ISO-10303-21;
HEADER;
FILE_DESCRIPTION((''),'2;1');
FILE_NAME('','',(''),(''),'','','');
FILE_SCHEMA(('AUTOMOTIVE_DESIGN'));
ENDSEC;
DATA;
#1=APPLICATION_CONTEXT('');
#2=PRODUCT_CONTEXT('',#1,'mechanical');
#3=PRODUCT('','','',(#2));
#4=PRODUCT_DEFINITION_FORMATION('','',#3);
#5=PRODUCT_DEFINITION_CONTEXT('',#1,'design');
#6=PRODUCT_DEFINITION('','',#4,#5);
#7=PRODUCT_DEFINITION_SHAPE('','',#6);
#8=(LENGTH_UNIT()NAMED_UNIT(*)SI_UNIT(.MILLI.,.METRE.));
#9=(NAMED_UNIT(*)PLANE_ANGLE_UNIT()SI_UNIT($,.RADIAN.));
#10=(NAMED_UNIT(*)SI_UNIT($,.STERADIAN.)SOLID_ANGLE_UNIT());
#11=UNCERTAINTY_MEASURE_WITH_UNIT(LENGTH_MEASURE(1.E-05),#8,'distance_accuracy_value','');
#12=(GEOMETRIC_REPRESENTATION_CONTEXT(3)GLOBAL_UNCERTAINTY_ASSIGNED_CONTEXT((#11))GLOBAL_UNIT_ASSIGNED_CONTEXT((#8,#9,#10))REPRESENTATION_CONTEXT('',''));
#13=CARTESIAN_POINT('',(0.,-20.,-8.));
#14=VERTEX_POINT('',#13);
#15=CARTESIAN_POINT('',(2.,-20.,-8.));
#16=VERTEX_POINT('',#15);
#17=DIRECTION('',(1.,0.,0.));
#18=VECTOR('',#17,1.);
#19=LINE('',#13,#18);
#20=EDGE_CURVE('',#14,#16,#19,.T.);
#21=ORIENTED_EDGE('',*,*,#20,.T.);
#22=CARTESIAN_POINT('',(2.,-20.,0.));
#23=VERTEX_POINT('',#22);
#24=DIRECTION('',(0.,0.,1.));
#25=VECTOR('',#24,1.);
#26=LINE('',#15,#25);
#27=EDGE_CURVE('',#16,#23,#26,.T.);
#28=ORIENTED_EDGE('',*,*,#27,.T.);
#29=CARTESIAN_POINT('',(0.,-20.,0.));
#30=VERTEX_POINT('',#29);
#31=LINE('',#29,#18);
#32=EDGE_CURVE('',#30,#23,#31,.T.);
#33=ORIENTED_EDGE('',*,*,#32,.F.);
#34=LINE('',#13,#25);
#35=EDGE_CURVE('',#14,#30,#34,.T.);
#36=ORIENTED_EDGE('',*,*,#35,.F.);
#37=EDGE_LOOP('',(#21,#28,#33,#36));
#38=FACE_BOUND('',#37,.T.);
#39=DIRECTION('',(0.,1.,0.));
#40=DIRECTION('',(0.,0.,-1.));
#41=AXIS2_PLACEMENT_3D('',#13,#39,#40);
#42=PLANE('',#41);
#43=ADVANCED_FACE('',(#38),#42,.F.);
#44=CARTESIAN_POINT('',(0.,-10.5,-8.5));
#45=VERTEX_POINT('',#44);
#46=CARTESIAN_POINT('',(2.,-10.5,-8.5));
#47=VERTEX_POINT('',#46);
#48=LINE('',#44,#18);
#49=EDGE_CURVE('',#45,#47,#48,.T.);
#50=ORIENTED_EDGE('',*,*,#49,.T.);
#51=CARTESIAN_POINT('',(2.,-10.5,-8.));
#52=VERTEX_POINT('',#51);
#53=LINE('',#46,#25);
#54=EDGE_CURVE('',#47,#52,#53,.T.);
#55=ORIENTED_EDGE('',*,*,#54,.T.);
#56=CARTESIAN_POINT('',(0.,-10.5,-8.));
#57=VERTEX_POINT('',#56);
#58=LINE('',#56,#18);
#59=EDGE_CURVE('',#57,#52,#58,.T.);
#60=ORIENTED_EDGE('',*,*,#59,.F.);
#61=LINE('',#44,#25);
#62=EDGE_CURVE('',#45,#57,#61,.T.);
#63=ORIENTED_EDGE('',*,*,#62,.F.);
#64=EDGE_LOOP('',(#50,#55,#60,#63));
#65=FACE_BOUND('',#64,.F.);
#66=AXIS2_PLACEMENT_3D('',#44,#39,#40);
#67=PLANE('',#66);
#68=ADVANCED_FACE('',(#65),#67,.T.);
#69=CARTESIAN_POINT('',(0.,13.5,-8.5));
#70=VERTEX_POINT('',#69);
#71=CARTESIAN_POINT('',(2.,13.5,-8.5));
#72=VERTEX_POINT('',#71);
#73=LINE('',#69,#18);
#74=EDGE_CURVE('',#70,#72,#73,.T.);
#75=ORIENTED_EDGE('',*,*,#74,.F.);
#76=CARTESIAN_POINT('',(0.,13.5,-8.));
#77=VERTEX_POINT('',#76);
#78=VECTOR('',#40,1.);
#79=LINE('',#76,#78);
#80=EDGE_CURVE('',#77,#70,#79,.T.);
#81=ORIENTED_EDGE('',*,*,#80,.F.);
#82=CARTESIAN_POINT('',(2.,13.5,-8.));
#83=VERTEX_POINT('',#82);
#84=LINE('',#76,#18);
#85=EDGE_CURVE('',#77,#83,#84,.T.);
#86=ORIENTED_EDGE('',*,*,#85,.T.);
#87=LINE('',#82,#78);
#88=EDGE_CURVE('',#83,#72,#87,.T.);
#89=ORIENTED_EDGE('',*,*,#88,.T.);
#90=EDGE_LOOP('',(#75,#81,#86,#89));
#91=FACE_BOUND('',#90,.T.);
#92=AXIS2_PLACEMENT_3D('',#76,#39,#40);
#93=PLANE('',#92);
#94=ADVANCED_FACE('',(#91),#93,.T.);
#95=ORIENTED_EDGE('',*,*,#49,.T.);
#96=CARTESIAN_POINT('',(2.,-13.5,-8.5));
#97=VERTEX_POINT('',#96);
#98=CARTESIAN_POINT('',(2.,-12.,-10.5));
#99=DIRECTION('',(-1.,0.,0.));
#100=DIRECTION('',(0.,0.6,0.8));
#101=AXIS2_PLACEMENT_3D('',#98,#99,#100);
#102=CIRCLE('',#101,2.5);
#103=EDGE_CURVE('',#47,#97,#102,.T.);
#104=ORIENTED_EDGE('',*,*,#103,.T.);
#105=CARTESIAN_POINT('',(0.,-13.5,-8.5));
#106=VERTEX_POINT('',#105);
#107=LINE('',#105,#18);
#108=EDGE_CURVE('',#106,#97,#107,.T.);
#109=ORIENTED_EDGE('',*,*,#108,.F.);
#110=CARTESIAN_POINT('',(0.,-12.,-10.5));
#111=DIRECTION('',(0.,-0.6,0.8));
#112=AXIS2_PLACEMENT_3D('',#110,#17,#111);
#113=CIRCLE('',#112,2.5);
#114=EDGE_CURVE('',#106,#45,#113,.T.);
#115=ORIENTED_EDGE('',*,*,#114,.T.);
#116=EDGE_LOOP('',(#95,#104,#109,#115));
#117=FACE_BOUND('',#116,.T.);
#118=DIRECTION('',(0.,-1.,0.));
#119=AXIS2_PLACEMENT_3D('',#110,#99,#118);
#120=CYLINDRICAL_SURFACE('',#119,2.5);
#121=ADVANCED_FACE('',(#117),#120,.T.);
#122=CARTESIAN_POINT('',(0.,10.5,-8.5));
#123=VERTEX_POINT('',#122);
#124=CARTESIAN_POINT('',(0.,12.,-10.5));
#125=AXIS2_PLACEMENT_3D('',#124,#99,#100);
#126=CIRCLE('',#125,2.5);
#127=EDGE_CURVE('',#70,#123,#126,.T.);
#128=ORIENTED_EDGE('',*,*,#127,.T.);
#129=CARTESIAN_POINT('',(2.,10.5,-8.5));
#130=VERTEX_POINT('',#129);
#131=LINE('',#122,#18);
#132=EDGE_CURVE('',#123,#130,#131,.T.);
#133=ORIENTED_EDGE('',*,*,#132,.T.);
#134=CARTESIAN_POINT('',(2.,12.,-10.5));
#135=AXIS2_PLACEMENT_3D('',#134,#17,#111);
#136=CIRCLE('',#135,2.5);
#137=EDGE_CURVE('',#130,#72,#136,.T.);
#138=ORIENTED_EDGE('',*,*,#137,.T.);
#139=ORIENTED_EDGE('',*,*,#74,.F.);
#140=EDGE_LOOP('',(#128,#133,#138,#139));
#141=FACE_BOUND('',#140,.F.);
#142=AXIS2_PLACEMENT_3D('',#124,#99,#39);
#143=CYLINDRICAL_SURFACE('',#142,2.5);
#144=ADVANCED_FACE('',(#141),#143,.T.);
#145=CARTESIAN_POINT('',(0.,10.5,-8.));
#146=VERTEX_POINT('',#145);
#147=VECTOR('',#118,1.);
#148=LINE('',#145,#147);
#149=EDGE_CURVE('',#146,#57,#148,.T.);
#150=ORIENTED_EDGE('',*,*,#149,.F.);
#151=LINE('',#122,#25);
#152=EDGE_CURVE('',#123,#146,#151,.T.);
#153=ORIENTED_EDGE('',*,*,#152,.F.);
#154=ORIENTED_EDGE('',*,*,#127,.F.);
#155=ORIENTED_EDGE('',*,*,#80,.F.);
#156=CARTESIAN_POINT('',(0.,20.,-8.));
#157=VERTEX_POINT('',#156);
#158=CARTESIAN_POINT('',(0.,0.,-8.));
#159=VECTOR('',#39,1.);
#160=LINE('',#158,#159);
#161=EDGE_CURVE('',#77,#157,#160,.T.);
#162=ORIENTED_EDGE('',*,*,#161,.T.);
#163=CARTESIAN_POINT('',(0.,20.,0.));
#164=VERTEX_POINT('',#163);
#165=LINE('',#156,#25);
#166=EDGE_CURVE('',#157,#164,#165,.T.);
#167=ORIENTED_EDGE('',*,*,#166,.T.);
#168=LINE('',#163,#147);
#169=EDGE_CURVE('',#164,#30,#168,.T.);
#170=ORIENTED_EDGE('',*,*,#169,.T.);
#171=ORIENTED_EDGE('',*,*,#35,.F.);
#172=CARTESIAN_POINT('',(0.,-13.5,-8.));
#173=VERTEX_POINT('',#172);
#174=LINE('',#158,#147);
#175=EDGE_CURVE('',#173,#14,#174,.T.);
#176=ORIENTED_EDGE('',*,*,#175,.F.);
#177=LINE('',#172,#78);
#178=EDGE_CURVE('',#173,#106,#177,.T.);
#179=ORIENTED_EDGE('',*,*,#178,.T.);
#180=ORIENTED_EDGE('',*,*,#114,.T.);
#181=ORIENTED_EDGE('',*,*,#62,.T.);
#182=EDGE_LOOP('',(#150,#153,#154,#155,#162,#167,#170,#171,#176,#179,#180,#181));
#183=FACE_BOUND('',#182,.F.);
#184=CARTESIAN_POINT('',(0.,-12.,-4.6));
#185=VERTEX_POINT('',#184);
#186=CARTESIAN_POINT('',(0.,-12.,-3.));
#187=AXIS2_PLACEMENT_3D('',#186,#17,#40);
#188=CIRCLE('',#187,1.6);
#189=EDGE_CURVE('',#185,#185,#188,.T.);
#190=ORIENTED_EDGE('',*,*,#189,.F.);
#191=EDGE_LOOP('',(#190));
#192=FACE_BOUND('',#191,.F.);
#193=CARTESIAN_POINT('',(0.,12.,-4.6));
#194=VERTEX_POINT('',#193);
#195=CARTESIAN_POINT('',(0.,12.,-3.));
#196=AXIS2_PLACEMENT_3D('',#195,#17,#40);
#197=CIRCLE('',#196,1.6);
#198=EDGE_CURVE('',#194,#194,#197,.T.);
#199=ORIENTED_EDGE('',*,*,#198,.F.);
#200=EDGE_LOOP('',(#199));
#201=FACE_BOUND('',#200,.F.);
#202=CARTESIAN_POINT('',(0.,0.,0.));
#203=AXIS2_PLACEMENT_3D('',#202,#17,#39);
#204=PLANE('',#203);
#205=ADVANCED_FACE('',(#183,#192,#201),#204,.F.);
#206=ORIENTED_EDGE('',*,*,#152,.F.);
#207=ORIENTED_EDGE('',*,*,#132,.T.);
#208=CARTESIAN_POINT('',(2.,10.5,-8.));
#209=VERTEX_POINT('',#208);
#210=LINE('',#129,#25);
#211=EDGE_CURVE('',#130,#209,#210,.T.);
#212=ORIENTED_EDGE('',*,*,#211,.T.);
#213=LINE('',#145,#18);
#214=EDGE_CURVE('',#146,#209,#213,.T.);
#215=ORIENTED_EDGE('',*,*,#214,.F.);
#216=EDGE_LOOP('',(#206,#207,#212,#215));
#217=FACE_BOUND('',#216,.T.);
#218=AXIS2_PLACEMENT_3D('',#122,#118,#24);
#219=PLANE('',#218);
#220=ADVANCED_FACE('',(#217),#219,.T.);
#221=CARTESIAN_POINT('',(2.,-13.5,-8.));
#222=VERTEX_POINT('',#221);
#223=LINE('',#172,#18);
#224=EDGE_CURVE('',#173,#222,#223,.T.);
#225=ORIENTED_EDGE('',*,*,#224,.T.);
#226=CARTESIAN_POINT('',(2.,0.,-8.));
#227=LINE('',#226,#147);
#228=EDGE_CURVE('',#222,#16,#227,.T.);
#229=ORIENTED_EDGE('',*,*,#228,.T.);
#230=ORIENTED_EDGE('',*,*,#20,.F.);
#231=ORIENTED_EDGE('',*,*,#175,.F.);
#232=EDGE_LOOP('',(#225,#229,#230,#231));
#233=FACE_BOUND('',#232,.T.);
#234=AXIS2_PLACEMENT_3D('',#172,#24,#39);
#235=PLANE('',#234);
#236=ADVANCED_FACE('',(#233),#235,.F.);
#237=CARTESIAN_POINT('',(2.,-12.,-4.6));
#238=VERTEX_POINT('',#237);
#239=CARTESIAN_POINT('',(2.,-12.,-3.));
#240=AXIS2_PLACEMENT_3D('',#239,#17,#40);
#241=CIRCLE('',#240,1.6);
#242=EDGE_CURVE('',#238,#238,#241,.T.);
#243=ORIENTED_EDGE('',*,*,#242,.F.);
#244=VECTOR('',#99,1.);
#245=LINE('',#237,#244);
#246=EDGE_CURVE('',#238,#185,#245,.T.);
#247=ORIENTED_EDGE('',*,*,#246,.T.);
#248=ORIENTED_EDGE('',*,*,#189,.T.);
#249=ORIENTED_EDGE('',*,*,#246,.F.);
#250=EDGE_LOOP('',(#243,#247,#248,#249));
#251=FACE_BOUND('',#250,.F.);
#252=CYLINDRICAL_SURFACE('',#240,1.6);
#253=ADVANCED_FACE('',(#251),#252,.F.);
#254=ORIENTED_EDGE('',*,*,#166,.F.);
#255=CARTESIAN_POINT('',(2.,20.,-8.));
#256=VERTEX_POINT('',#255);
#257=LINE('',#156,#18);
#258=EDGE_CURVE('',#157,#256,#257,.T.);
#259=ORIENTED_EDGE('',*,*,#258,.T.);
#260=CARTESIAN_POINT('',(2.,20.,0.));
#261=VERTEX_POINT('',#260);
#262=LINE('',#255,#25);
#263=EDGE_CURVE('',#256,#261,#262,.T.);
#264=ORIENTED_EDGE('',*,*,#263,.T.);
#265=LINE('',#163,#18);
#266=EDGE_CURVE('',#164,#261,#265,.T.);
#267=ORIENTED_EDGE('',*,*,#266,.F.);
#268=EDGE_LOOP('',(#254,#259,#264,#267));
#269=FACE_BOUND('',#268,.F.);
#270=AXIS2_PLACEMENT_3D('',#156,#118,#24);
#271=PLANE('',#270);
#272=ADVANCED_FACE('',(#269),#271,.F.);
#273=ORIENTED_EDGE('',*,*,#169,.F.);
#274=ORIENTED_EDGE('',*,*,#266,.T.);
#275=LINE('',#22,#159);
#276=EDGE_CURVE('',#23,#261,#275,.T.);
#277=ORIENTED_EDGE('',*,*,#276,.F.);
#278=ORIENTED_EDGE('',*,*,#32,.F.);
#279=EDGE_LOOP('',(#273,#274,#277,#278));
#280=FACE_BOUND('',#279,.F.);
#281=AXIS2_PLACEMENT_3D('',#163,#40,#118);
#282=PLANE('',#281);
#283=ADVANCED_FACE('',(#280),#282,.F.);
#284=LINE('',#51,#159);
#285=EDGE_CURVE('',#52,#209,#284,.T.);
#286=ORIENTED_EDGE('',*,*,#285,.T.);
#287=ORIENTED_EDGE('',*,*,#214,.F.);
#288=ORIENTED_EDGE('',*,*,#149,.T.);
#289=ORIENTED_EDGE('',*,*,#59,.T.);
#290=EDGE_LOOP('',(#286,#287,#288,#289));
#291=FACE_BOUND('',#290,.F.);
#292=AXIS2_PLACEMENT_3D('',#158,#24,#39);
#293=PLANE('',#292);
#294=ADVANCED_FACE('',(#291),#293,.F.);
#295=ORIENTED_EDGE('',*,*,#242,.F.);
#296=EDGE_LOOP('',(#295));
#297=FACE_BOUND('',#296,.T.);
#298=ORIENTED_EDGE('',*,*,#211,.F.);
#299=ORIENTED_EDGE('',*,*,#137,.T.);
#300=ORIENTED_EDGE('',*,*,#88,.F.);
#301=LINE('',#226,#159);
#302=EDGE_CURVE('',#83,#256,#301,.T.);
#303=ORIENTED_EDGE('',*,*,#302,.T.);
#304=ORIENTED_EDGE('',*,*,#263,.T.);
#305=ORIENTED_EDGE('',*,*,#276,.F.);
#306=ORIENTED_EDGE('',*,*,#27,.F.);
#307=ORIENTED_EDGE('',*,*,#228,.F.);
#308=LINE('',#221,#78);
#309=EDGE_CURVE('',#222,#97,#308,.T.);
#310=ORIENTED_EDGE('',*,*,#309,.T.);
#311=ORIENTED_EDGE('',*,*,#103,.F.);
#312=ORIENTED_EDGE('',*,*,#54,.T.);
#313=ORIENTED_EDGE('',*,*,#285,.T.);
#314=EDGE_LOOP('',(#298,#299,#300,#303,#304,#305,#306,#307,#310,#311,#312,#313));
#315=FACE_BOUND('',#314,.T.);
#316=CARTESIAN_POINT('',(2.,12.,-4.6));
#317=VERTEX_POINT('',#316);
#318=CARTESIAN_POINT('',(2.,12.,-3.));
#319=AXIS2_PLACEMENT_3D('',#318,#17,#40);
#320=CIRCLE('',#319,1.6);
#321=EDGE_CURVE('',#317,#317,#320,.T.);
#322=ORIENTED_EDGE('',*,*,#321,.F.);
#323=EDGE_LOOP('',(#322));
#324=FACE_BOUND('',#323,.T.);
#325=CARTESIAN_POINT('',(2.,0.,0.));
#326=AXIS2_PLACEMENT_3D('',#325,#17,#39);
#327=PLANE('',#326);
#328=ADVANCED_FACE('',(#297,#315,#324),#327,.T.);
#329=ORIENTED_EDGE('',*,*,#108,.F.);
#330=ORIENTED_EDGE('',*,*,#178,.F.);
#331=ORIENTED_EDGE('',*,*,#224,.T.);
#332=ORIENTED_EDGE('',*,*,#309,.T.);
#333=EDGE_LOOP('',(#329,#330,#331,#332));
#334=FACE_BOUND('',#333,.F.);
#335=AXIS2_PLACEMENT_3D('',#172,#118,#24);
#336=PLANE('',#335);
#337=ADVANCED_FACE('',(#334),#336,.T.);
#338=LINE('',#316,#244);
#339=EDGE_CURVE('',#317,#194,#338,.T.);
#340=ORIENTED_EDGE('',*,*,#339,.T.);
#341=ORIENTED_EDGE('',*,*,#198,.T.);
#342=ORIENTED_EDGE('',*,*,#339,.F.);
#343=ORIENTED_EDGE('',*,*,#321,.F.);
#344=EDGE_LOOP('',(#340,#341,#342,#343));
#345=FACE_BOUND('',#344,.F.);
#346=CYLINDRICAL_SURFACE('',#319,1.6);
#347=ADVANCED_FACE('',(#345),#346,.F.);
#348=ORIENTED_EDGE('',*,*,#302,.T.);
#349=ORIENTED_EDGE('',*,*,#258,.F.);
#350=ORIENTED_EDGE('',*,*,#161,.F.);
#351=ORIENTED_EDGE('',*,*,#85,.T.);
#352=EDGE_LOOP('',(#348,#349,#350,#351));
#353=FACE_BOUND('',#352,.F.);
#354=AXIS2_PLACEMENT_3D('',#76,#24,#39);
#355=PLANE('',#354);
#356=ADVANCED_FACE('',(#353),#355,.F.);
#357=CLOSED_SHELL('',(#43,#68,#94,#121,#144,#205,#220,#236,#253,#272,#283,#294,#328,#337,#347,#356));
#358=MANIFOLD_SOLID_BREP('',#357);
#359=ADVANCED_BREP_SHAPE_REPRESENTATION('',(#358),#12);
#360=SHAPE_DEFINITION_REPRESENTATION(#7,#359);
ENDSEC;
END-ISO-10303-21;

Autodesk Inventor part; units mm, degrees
ref_plane "YZ Plane" through (0, 0, 0) normal (1, 0, 0) x (0, 1, 0)
ref_plane "XZ Plane" through (0, 0, 0) normal (0, 1, 0) x (-1, 0, 0)
ref_plane "XY Plane" through (0, 0, 0) normal (0, 0, 1) x (1, 0, 0)
sketch "スケッチ1" plane through (0, 0, 0) normal (1, 0, 0) x (0, 1, 0)
  line L0 (20, 0) -> (0, 0)
  line L1 (0, 0) -> (0, -8)
  line L2 (0, -8) -> (20, -8)
  line L3 (20, -8) -> (20, 0)
  circle A0 centre (12, -10.5) radius 2.5 construction
  circle A1 centre (12, -10.5) radius 2.5
  line L4 (13.5, -8.5) -> (10.5, -8.5)
  line L5 (10.5, -8.5) -> (10.5, -8)
  line L6 (10.5, -8) -> (13.5, -8)
  line L7 (13.5, -8) -> (13.5, -8.5)
  line L8 (12, -10.5) -> (12, -8)
  point P0 (13.5, -8)
  point P1 (10.5, -8)
  dimension "d1" = 5
  dimension "d0" = 5
  dimension "d2" = 3
  dimension "d3" = 12
  dimension "d4" = 8
  dimension "d5" = 20
extrude "押し出し1" add sketch "スケッチ1" along normal blind 2
mirror "ミラー1" about plane through (0, 0, 0) normal (0, -1, 0)
sketch "スケッチ2" plane through (2, 0, 0) normal (1, 0, 0) x (0, 0, -1)
  line L0 (8.5, 13.5) -> (8, 13.5) projected
  line L1 (8, 13.5) -> (8, 20) projected
  line L2 (8, 20) -> (0, 20) projected
  line L3 (0, 20) -> (0, -20) projected
  line L4 (8, -20) -> (0, -20) projected
  line L5 (8, -13.5) -> (8, -20) projected
  line L6 (8.5, -13.5) -> (8, -13.5) projected
  arc A0 (8.5, -13.5) -> (8.5, -10.5) centre (10.5, -12) ccw projected
  line L7 (8, -10.5) -> (8.5, -10.5) projected
  line L8 (8, 10.5) -> (8, -10.5) projected
  line L9 (8, 10.5) -> (8.5, 10.5) projected
  arc A1 (8.5, 10.5) -> (8.5, 13.5) centre (10.5, 12) ccw projected
  circle A2 centre (3, 12) radius 1.6
  circle A3 centre (3, -12) radius 1.6
  point P0 (0, 0)
  dimension "d8" = 3.2
  dimension "d17" = 3
extrude "押し出し2" cut sketch "スケッチ2" against normal blind 2 contours A2 | A3
properties part number "cover_setter"
